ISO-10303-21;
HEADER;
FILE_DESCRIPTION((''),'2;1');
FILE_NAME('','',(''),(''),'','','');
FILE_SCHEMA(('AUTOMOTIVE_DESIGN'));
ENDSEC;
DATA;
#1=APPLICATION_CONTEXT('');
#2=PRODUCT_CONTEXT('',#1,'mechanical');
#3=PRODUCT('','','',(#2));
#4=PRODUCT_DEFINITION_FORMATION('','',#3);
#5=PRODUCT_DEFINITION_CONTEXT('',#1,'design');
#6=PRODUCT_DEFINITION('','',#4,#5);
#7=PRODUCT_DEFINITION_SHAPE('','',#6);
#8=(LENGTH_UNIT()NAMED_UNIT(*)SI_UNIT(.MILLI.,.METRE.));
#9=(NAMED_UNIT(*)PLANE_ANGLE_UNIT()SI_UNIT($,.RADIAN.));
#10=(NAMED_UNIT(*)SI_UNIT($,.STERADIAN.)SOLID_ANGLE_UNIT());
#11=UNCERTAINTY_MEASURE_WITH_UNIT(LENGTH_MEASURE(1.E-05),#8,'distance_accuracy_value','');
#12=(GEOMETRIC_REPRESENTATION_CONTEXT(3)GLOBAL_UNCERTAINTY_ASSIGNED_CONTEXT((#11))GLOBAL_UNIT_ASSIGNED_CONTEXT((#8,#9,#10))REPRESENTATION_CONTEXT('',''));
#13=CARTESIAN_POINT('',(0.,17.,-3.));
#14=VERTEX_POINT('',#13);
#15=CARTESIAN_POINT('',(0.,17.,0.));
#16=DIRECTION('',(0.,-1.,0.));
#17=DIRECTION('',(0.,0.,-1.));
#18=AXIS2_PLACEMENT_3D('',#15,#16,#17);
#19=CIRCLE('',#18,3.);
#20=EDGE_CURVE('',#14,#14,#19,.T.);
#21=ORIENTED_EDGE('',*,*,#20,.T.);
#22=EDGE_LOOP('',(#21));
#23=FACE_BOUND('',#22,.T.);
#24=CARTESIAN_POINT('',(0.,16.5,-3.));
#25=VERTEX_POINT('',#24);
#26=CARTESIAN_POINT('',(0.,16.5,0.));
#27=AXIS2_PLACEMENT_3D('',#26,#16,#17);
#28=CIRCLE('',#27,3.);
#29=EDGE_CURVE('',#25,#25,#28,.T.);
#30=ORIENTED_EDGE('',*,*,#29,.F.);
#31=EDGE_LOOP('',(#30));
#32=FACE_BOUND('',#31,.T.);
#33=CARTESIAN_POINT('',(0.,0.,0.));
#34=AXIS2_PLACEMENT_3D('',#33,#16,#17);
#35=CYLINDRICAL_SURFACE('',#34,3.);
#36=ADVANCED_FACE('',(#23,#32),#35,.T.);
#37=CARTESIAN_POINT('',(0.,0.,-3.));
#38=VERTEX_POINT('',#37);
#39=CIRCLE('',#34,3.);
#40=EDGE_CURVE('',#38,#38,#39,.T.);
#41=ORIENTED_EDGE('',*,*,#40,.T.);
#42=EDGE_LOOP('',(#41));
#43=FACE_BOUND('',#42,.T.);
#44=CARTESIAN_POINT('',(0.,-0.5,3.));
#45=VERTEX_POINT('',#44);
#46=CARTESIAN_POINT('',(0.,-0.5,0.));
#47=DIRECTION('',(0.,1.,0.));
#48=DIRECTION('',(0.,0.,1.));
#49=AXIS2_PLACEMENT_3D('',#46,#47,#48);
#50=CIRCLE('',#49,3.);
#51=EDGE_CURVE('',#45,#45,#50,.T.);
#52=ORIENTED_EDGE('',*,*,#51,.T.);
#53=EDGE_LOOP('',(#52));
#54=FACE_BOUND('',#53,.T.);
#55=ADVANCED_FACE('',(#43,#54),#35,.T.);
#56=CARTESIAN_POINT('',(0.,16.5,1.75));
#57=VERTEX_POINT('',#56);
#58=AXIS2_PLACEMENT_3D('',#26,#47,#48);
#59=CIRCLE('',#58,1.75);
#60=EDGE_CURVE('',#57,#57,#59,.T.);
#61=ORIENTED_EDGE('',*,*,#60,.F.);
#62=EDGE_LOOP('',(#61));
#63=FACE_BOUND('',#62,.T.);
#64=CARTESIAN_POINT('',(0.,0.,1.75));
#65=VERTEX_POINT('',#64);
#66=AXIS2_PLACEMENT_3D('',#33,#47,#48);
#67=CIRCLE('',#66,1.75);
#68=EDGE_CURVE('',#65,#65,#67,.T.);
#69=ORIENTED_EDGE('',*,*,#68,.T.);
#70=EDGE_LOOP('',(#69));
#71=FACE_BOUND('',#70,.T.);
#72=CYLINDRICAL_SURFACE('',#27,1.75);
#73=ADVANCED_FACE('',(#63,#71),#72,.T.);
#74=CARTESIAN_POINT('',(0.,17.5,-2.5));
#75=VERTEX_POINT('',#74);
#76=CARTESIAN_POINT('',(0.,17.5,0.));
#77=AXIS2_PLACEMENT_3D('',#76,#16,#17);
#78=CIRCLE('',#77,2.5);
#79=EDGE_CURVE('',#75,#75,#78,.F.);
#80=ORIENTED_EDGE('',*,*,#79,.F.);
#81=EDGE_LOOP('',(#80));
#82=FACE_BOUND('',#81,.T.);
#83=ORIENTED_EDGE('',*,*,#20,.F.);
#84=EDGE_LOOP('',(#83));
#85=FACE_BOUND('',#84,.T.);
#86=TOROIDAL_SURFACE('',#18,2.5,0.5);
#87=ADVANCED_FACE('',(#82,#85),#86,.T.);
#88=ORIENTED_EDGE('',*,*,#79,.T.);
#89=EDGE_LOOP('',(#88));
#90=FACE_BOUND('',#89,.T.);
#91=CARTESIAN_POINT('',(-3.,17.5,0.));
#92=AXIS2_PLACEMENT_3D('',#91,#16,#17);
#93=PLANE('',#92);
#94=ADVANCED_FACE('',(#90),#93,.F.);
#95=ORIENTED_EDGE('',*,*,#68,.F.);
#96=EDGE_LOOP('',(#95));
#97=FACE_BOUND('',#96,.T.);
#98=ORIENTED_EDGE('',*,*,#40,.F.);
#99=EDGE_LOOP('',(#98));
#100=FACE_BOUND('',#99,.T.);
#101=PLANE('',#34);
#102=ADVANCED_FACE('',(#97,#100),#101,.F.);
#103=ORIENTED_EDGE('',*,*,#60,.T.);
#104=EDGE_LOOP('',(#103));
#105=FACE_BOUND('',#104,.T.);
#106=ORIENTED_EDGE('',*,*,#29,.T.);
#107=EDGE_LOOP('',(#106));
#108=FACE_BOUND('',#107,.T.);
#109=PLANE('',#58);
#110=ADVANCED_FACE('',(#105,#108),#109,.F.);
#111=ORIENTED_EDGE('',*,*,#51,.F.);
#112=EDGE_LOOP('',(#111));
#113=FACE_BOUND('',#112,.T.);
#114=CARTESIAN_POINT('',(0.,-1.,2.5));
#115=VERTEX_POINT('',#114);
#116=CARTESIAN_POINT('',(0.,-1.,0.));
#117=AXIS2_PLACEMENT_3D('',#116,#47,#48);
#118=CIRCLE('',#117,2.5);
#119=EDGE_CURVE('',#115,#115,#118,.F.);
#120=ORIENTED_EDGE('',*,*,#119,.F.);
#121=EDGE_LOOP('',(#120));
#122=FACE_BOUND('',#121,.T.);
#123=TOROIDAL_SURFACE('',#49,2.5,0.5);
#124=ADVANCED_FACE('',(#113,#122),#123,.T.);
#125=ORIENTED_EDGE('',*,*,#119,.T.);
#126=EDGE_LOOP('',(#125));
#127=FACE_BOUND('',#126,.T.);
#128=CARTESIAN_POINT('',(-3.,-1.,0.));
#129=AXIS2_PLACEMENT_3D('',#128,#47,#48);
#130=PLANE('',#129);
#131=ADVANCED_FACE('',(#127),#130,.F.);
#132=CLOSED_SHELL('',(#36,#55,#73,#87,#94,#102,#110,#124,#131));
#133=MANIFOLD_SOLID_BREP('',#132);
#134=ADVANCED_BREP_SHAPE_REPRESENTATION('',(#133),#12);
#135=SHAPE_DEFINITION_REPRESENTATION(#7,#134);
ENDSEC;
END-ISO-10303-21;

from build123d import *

# Parameters (mm, degrees)
SKETCH1_R           = 1.75
BOSS_EXTRUDE1_DEPTH = 16.5
SKETCH2_W           = 3
SKETCH2_H           = 1
FILLET1_R           = 0.5


with BuildPart() as part:
    # Sketch1 → Boss-Extrude1 (new body)
    with BuildSketch(Plane(origin=(0, 0, 0), x_dir=(1, 0, 0), z_dir=(0, 1, 0))):
        with Locations(Location((0, 0, 0), (0, 0, 270))):
            Circle(SKETCH1_R)
    extrude(amount=BOSS_EXTRUDE1_DEPTH)

    # Sketch2 → Revolve1 (revolve)
    with BuildSketch(Plane.XY, mode=Mode.PRIVATE) as revolve1_sk:
        with Locations((-1.5, 17)):
            Rectangle(SKETCH2_W, SKETCH2_H)
        with Locations((-1.5, -0.5)):
            Rectangle(SKETCH2_W, SKETCH2_H)
    revolve(revolve1_sk.sketch.rotate(Axis((0, 0, 0), (0, 1, 0)), 270), axis=Axis((0, 0, 0), (0, 1, 0)))

    # Fillet1
    fillet1_edges = [part.edges().sort_by_distance(p)[0] for p in [
        (0, -1, 3),
        (0, 17.5, 3),
    ]]
    fillet(fillet1_edges, radius=FILLET1_R)


solid = part.part
